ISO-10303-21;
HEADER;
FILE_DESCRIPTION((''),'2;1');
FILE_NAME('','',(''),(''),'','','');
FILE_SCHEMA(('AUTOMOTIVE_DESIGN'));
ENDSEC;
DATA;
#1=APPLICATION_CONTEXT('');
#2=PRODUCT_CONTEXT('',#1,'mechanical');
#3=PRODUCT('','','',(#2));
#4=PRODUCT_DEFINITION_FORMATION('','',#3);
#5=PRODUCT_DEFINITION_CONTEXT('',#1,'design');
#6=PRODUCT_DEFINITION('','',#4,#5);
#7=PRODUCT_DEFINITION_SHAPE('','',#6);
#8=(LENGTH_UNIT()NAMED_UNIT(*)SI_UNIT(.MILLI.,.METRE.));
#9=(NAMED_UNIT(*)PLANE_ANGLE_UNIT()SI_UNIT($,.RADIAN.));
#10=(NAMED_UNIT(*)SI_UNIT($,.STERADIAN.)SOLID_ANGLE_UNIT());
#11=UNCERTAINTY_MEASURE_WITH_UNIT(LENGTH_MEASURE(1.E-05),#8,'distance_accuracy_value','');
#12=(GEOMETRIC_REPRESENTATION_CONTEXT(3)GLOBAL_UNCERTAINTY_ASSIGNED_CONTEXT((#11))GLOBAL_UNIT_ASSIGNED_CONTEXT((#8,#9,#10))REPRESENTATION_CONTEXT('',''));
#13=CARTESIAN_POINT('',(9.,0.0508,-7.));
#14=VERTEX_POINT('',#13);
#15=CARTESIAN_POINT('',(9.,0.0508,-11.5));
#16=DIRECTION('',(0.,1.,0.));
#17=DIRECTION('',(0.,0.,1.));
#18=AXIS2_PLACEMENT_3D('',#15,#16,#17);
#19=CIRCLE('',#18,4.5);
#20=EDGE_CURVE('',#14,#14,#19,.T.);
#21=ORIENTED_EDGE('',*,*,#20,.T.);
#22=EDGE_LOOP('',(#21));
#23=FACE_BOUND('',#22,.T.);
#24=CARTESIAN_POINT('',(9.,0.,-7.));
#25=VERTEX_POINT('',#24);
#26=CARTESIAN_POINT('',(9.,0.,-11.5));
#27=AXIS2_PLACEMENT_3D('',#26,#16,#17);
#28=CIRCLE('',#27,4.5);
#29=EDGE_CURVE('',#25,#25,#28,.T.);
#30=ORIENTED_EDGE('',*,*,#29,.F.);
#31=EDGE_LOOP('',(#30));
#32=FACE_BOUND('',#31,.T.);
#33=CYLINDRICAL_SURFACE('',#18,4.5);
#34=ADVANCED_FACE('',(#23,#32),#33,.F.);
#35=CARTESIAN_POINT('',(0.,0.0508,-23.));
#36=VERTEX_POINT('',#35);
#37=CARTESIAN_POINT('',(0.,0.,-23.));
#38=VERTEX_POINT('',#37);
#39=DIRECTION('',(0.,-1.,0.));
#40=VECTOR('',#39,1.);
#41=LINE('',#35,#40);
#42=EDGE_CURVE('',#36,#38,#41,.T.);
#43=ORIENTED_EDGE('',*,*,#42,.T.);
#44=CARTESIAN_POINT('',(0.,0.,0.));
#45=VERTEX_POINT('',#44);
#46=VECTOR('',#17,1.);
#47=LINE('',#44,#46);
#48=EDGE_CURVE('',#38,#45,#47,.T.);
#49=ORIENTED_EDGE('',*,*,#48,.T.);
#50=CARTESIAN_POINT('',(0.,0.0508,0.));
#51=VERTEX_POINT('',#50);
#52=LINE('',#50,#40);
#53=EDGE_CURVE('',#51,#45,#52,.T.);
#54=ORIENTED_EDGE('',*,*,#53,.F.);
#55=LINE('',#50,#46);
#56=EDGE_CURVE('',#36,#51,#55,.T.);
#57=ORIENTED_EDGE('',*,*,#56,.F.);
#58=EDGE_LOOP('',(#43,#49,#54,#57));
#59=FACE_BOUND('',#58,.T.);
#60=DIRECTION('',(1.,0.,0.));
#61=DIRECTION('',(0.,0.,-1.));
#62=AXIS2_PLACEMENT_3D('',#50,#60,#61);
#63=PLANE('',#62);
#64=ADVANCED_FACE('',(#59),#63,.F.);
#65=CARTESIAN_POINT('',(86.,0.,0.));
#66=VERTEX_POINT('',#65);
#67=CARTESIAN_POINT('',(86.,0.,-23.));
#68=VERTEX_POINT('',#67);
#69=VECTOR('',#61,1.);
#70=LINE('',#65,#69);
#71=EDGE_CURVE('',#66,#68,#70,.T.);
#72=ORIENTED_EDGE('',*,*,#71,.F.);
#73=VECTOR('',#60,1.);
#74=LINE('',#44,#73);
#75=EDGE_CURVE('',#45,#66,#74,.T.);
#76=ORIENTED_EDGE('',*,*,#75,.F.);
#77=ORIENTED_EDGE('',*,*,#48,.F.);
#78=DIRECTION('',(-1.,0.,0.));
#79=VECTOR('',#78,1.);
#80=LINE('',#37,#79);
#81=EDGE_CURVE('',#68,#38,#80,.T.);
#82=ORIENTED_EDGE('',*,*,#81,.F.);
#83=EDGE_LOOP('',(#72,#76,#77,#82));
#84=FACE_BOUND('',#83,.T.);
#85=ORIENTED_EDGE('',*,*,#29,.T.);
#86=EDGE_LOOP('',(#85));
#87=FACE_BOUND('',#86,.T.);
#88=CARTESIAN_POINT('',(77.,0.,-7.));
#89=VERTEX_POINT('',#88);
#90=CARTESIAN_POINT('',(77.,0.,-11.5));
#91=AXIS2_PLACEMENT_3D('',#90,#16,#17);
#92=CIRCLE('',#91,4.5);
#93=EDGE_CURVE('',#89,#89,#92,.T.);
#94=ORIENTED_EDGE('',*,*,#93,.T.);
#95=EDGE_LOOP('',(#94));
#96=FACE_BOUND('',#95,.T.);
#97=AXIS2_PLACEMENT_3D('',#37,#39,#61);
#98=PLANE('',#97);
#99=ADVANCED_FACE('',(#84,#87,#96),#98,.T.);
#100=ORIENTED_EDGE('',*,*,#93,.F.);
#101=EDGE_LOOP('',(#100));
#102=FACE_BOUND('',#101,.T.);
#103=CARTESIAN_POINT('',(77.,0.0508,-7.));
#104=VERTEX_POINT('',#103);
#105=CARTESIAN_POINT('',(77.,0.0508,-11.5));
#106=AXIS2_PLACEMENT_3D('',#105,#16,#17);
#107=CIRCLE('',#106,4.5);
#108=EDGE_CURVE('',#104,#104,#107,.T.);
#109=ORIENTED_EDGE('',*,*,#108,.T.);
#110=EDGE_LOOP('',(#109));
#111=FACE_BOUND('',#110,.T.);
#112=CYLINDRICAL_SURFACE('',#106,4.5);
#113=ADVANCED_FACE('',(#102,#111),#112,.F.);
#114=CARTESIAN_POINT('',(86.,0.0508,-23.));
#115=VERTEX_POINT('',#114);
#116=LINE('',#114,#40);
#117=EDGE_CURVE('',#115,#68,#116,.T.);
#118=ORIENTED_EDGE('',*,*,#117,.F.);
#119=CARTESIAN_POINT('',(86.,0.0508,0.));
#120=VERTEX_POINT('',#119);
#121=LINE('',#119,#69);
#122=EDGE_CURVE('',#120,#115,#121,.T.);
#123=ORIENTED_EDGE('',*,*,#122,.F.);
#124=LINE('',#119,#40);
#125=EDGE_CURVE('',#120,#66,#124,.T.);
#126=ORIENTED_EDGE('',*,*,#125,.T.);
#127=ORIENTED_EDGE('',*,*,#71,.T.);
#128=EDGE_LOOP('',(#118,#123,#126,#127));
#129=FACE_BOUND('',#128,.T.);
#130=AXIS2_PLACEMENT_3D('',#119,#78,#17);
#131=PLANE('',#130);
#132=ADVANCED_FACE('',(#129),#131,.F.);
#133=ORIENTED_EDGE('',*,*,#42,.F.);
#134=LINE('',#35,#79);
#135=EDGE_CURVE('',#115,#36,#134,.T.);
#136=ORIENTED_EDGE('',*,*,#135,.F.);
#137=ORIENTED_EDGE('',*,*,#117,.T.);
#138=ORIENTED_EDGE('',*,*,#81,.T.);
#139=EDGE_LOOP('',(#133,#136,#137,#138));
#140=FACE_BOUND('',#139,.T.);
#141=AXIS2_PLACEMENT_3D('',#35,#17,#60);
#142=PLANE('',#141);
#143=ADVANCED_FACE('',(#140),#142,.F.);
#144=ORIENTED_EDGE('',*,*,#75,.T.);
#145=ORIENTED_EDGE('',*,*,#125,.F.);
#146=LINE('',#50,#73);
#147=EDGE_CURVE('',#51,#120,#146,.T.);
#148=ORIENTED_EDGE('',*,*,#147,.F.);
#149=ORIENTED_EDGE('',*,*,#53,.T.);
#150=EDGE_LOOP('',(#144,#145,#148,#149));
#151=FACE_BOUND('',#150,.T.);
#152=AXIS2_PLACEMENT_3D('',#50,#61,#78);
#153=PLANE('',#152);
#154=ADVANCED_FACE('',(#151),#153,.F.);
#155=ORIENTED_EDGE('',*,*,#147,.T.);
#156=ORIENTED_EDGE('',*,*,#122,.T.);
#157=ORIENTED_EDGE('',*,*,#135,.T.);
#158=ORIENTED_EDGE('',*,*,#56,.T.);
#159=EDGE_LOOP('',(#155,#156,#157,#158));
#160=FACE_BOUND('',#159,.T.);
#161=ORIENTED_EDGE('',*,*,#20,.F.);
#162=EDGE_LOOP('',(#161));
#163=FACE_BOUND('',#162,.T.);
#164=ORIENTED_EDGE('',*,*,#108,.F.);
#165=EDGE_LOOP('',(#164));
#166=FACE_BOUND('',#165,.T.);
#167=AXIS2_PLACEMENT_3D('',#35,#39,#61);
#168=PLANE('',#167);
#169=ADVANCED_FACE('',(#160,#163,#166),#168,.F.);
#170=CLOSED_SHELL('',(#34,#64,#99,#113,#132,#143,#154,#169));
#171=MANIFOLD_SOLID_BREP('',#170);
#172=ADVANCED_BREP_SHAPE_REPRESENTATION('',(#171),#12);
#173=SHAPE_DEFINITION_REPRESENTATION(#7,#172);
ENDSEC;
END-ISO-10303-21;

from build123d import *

# Parameters (mm, degrees)
SKETCH1_W                = 86
SKETCH1_H                = 23
EXTRUDE1_DEPTH           = 0.0508
F_9_0_9_DIAMETER_HOLE1_D = 9


with BuildPart() as part:
    # Sketch1 → Extrude1 (new body)
    with BuildSketch(Plane(origin=(0, 0, 0), x_dir=(1, 0, 0), z_dir=(0, 1, 0))):
        with Locations((43, 11.5)):
            Rectangle(SKETCH1_W, SKETCH1_H)
    extrude(amount=EXTRUDE1_DEPTH)

    # Ø9.0 (9) Diameter Hole1 (through all)
    with Locations(Plane(origin=(0, 0.0508, 0), x_dir=(-1, 0, 0), z_dir=(0, 1, 0))):
        with Locations((-9, -11.5), (-77, -11.5)):
            Hole(F_9_0_9_DIAMETER_HOLE1_D / 2)


solid = part.part
